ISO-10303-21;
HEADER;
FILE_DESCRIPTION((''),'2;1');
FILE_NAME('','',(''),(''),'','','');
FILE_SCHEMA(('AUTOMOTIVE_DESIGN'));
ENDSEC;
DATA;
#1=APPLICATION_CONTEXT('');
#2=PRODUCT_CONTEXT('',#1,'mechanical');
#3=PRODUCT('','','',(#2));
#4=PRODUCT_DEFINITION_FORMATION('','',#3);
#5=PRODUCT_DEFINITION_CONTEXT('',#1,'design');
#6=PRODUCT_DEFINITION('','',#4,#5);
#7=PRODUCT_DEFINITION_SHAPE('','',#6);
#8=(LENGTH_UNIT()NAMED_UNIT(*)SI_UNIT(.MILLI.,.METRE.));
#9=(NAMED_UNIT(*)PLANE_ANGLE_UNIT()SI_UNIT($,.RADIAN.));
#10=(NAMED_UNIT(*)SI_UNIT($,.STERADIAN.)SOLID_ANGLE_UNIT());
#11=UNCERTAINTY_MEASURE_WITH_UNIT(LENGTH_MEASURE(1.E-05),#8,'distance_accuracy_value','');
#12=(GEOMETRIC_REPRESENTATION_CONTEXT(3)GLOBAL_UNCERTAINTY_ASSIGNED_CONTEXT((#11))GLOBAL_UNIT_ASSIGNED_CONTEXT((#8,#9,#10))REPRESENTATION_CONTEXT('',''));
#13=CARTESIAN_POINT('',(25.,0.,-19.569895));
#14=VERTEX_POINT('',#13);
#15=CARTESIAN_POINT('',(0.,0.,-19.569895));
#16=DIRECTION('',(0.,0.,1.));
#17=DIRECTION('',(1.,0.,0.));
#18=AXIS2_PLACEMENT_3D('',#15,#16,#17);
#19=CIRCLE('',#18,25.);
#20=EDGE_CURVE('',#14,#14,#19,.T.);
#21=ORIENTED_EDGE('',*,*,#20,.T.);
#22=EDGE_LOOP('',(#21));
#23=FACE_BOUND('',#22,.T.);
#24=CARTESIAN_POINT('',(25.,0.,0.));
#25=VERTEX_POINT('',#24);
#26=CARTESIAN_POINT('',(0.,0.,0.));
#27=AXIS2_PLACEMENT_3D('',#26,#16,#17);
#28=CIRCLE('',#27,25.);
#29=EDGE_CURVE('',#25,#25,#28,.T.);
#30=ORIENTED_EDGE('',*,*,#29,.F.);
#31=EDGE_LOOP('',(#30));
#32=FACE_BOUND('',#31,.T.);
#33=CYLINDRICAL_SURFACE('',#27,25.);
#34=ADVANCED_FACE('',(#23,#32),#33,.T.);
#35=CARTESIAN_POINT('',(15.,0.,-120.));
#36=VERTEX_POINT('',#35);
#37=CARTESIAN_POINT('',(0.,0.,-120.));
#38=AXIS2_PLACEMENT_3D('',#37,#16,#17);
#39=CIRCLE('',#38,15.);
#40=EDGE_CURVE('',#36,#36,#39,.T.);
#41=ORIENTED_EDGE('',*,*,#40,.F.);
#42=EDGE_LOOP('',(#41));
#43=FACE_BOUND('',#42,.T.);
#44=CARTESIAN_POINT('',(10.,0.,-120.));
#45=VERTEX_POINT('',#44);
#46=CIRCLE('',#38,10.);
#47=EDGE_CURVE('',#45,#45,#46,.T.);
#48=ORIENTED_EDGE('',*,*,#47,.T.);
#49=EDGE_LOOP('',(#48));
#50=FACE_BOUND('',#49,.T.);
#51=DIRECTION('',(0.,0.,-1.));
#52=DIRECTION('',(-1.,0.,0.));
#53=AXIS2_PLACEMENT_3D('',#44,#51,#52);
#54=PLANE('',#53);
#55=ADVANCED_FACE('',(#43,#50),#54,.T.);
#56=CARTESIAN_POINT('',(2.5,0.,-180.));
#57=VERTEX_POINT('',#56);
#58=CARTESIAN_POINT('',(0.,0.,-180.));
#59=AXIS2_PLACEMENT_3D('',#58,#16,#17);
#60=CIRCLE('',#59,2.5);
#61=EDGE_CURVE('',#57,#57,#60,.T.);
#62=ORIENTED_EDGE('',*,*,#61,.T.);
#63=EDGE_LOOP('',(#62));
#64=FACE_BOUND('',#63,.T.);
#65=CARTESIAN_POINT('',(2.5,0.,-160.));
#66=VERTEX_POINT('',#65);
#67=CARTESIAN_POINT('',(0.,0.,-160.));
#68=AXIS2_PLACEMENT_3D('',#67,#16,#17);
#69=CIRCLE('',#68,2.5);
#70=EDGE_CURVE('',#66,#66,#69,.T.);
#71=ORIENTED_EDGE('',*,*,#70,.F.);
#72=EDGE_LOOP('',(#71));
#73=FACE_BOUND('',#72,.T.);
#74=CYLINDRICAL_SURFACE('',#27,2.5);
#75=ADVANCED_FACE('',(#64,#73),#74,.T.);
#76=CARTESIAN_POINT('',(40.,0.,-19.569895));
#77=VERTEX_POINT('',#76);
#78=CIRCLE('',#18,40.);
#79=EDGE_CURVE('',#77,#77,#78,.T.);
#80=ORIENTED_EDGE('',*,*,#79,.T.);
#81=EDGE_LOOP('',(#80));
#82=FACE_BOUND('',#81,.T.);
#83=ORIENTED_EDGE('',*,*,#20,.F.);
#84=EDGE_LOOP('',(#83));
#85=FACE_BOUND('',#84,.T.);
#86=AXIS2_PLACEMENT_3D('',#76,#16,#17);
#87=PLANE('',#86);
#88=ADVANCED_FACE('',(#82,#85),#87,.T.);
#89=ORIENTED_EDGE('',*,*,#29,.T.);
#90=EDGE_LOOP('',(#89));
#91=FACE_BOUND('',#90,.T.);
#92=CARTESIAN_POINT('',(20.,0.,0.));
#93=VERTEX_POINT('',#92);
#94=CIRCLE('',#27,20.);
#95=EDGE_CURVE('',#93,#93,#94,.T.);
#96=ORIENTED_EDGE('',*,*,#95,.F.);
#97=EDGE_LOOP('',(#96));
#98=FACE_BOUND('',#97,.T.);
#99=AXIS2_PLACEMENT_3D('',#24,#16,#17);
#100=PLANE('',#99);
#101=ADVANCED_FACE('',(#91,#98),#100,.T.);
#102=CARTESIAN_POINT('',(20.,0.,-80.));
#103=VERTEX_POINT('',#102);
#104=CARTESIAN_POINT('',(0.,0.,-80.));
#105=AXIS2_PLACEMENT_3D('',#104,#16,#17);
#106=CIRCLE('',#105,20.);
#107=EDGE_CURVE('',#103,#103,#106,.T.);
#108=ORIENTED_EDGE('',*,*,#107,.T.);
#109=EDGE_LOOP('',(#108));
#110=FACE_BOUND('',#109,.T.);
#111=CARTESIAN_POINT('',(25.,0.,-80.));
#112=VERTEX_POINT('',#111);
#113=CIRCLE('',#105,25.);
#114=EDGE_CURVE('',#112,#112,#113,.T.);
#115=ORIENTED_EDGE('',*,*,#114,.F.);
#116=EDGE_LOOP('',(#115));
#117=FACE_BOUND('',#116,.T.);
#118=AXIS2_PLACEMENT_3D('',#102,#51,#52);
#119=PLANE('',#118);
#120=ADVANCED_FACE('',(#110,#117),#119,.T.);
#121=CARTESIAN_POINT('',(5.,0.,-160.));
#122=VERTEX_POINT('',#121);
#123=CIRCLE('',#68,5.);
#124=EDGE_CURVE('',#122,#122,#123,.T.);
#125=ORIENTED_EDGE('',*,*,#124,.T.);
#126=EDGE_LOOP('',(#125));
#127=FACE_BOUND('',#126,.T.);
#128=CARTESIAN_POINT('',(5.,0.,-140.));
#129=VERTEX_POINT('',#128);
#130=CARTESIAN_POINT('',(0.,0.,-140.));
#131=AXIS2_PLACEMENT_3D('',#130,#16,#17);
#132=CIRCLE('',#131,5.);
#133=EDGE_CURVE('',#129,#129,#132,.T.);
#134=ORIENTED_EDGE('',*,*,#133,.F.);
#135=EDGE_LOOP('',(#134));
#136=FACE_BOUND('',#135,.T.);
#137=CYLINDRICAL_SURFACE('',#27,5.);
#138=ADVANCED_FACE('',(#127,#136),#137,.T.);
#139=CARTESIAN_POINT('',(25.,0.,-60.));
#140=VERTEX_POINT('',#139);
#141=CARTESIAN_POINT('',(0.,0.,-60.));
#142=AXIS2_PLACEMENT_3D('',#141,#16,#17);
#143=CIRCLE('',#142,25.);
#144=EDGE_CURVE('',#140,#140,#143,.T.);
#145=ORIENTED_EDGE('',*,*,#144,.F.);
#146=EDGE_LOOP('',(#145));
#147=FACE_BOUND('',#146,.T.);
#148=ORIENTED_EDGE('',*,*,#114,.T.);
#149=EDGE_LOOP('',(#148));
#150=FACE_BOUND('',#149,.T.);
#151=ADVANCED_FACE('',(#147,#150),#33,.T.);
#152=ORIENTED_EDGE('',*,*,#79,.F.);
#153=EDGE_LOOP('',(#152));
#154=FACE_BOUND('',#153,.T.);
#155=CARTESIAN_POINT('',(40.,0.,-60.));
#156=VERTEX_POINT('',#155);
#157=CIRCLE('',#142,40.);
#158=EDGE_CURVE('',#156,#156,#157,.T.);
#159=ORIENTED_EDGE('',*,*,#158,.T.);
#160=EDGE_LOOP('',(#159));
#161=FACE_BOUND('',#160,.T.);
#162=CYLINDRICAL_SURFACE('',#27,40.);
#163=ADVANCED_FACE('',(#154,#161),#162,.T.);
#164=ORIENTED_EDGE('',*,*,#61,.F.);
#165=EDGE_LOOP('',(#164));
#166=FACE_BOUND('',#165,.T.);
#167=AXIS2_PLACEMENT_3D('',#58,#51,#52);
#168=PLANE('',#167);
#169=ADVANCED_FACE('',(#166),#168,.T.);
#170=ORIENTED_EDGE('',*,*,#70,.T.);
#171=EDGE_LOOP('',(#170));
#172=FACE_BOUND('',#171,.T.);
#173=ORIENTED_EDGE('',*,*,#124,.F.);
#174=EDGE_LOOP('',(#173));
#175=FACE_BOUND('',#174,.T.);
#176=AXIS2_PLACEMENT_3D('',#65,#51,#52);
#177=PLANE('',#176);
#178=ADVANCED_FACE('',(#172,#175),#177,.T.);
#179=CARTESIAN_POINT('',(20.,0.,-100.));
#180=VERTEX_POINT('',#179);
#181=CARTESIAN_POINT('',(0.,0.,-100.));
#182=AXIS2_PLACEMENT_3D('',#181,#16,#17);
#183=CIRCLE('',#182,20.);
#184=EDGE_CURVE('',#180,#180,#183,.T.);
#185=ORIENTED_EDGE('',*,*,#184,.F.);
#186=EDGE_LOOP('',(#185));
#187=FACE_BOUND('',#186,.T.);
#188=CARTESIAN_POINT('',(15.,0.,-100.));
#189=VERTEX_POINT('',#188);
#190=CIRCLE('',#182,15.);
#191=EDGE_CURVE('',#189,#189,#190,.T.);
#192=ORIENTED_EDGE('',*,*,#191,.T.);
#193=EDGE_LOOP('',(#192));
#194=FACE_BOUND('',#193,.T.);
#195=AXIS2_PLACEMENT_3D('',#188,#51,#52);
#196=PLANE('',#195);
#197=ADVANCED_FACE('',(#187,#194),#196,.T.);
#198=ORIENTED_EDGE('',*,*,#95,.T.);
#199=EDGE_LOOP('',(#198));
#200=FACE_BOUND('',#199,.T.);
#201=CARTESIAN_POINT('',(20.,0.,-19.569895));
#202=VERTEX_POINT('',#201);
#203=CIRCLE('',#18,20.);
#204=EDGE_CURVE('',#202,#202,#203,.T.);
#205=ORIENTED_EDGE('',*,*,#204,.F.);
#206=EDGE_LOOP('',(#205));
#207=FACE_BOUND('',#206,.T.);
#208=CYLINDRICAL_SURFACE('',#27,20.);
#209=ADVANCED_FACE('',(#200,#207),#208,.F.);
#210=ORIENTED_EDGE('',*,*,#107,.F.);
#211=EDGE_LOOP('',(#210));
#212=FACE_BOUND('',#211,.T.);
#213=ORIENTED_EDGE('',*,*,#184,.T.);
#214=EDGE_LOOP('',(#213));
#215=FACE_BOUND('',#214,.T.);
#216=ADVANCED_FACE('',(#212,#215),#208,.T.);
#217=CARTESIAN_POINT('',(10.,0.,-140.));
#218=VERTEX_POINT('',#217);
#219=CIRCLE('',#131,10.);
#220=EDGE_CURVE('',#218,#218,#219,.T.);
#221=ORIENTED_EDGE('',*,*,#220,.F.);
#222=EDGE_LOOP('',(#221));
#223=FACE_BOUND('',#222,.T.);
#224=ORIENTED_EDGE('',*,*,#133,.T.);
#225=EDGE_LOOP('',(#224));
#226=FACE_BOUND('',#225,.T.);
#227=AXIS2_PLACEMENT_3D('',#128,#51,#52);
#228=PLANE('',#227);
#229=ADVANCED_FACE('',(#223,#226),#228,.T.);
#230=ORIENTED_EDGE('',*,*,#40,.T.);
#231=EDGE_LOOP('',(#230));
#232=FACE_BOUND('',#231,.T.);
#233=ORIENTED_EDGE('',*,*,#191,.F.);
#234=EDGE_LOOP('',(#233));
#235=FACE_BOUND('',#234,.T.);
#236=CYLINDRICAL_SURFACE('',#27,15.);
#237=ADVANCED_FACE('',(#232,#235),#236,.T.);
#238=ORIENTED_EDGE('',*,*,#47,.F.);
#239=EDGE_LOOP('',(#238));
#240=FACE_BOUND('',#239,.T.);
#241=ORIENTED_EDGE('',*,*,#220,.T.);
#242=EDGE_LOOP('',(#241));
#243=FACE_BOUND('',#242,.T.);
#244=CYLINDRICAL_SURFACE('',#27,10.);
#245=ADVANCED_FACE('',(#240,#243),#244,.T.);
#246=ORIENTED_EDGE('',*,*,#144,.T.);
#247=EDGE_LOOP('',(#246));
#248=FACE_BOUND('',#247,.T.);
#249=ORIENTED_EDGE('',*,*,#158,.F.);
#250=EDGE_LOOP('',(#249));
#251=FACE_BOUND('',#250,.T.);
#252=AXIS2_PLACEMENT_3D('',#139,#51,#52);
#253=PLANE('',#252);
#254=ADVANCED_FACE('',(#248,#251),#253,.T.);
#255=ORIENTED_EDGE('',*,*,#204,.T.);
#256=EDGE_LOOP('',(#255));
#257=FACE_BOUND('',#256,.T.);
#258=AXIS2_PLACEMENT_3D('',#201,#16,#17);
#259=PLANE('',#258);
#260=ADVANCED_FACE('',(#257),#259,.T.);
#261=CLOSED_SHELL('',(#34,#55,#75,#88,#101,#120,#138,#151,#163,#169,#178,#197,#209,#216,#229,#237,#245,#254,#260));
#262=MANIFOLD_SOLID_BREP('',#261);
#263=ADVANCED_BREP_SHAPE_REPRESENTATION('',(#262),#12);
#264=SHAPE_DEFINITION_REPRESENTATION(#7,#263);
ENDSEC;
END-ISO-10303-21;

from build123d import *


with BuildPart() as part:
    # Sketch1 → Revolve1 (revolve)
    with BuildSketch(Plane(origin=(0, 0, 0), x_dir=(1, 0, 0), z_dir=(0, 1, 0))):
        Polygon((0, 180), (2.5, 180), (2.5, 160), (5, 160), (5, 140), (10, 140), (10, 120), (15, 120), (15, 100), (20, 100), (20, 80), (25, 80), (25, 60), (40, 60), (40, 19.569895176), (25, 19.569895176), (25, 0), (20, 0), (20, 19.569895176), (0, 19.569895176), align=None)
    revolve(axis=Axis((0, 0, 0), (0, 0, -1)))


solid = part.part
